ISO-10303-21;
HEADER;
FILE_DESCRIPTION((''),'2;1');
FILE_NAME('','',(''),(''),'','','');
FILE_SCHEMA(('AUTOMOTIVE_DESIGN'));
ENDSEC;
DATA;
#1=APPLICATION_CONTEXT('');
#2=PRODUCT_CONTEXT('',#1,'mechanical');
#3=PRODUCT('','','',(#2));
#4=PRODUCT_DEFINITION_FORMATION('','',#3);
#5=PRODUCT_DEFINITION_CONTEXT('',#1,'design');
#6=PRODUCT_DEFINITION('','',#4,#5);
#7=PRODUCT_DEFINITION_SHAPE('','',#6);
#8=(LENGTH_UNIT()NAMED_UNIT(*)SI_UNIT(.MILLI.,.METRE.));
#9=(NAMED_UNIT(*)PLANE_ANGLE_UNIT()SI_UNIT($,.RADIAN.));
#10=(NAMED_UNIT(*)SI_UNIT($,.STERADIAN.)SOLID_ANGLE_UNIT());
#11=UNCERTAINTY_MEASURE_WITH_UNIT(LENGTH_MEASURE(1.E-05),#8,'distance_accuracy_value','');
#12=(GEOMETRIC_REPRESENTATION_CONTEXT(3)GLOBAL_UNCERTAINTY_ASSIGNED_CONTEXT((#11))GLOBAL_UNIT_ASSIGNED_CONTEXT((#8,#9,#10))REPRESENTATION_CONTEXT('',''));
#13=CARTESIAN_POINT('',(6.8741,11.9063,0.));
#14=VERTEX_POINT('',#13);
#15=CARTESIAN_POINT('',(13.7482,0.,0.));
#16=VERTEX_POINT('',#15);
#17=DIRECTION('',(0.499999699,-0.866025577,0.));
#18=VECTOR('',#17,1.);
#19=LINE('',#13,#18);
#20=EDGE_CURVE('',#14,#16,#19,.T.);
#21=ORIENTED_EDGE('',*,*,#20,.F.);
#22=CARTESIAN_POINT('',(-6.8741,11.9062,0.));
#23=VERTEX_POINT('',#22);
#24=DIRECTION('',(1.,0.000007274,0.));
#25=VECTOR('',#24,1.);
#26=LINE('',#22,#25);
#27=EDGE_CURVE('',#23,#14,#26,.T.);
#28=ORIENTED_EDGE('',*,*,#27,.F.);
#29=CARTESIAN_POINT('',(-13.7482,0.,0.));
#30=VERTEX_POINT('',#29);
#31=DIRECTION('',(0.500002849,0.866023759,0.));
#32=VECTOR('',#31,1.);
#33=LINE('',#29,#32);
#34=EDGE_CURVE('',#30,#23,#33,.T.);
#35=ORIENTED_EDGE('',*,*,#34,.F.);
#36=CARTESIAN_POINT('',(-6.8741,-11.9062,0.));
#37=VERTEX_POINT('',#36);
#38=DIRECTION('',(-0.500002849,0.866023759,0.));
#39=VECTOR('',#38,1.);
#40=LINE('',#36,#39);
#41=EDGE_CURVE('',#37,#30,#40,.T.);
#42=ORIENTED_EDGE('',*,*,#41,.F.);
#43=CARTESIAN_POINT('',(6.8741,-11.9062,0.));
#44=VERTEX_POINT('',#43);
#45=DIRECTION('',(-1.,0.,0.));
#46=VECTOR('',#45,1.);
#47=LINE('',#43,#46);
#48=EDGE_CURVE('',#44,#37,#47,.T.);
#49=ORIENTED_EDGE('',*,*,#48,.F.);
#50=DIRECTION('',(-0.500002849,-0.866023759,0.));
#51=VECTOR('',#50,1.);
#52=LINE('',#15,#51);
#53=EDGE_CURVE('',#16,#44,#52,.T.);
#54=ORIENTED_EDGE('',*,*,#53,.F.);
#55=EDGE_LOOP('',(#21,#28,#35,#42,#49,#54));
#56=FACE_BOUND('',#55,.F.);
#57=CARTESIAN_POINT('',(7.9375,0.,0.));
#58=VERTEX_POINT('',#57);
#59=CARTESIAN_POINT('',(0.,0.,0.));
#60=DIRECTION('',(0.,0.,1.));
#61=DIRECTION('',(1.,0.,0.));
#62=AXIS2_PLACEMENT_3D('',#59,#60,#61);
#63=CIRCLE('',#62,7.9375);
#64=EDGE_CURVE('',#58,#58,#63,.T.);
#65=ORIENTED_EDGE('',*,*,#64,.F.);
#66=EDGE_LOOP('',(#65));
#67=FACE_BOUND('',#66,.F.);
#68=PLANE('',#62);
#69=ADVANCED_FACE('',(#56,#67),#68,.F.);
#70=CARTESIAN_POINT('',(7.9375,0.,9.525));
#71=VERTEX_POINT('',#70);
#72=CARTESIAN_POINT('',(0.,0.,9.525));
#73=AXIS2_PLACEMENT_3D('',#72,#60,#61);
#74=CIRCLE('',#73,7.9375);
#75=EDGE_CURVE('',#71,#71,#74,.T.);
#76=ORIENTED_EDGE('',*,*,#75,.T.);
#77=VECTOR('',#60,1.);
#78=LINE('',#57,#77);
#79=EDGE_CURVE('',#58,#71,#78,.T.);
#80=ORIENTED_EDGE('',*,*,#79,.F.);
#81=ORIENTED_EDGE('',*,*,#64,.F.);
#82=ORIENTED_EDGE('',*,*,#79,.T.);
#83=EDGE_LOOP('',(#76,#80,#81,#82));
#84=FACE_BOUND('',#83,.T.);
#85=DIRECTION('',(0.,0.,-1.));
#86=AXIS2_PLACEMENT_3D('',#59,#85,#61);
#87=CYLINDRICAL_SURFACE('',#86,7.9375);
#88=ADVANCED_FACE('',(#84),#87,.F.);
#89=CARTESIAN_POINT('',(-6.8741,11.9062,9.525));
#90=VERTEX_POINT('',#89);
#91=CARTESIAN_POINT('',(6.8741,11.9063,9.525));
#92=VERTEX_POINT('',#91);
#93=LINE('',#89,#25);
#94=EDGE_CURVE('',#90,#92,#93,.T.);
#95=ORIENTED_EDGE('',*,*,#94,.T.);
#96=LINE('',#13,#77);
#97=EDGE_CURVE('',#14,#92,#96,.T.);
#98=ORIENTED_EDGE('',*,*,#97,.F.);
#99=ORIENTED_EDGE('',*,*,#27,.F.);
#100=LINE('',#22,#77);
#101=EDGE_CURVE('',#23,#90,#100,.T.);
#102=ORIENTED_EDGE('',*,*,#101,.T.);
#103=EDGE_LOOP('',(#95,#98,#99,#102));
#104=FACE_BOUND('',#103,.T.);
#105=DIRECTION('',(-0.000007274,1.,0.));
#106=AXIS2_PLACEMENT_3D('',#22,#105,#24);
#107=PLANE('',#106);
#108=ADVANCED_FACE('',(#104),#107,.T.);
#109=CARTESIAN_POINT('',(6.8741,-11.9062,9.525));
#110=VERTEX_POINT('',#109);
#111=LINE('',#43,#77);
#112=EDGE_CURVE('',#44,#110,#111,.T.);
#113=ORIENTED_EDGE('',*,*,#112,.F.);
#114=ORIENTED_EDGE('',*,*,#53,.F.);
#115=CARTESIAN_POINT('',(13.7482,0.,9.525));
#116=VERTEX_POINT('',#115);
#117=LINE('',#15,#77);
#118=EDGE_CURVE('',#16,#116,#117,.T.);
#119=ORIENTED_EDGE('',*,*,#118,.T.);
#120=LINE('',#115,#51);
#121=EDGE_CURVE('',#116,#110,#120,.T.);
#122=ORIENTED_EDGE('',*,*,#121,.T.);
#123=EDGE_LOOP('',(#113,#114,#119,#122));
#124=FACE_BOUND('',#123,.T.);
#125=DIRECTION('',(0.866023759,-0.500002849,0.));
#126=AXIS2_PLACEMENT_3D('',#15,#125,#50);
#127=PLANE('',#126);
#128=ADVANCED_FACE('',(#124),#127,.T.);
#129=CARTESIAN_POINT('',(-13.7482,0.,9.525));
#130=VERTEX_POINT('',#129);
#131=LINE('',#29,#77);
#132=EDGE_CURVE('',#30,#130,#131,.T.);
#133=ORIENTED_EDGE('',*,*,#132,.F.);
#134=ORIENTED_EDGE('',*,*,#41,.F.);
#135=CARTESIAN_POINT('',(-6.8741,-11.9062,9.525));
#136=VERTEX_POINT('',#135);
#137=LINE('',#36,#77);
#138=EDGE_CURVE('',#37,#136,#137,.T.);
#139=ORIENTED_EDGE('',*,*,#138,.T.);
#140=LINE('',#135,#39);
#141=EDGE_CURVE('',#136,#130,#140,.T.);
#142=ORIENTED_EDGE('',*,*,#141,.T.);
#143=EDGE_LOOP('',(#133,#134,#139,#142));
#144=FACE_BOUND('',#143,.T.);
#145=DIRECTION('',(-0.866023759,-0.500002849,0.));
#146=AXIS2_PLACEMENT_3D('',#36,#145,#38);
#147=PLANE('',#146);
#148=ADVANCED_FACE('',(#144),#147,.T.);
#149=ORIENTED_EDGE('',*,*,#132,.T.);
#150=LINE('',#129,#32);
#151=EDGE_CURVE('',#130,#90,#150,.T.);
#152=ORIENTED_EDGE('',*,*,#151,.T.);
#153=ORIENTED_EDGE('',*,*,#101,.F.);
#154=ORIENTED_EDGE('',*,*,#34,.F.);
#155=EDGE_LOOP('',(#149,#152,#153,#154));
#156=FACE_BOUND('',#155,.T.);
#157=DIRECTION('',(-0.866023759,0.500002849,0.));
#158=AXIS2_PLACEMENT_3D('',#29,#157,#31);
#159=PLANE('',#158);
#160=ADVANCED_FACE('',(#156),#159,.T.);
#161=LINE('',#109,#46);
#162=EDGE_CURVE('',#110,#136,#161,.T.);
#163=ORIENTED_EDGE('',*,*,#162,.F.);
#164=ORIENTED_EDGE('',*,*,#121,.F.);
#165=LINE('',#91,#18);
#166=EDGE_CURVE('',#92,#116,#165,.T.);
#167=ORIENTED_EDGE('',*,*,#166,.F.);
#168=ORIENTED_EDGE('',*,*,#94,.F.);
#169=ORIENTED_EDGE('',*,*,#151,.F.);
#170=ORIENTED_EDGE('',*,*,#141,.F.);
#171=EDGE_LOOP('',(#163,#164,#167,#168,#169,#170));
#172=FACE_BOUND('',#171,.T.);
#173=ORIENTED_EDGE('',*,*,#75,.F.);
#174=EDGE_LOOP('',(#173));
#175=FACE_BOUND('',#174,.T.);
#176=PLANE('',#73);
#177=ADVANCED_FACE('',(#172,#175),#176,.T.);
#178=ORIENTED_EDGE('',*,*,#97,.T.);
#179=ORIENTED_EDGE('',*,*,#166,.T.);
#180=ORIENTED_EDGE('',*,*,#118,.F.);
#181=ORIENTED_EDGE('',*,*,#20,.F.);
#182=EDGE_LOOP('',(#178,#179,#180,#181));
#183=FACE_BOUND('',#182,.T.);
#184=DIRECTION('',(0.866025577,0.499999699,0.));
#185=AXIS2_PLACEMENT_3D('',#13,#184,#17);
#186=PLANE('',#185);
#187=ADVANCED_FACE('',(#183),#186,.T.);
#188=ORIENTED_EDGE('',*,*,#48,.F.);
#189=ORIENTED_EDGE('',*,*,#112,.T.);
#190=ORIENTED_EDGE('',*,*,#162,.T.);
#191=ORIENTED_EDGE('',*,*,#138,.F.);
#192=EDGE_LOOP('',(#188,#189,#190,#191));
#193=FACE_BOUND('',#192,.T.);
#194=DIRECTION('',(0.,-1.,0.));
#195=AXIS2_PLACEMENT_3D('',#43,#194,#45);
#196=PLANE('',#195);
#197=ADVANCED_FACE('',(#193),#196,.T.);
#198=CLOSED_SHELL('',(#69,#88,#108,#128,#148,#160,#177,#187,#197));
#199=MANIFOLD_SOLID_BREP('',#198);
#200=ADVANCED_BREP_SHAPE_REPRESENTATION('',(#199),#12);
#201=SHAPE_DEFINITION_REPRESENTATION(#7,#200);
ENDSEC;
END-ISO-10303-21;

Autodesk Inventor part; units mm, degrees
ref_plane "YZ Plane" through (0, 0, 0) normal (1, 0, 0) x (0, 1, 0)
ref_plane "XZ Plane" through (0, 0, 0) normal (0, 1, 0) x (-1, 0, 0)
ref_plane "XY Plane" through (0, 0, 0) normal (0, 0, 1) x (1, 0, 0)
sketch "Sketch1" plane through (0, 0, 0) normal (0, 0, 1) x (1, 0, 0)
  line L0 (13.7482, 0) -> (6.8741, -11.9062)
  line L1 (6.8741, -11.9062) -> (-6.8741, -11.9062)
  line L2 (-6.8741, -11.9062) -> (-13.7482, 0)
  line L3 (-13.7482, 0) -> (-6.8741, 11.9062)
  line L4 (-6.8741, 11.9062) -> (6.8741, 11.9063)
  line L5 (6.8741, 11.9063) -> (13.7482, 0)
  circle A0 centre (0, 0) radius 7.9375
  dimension "d0" = 23.8125
  dimension "d1" = 15.875
extrude "Extrusion1" add sketch "Sketch1" along normal blind 9.525
properties part number "Piston nut"
